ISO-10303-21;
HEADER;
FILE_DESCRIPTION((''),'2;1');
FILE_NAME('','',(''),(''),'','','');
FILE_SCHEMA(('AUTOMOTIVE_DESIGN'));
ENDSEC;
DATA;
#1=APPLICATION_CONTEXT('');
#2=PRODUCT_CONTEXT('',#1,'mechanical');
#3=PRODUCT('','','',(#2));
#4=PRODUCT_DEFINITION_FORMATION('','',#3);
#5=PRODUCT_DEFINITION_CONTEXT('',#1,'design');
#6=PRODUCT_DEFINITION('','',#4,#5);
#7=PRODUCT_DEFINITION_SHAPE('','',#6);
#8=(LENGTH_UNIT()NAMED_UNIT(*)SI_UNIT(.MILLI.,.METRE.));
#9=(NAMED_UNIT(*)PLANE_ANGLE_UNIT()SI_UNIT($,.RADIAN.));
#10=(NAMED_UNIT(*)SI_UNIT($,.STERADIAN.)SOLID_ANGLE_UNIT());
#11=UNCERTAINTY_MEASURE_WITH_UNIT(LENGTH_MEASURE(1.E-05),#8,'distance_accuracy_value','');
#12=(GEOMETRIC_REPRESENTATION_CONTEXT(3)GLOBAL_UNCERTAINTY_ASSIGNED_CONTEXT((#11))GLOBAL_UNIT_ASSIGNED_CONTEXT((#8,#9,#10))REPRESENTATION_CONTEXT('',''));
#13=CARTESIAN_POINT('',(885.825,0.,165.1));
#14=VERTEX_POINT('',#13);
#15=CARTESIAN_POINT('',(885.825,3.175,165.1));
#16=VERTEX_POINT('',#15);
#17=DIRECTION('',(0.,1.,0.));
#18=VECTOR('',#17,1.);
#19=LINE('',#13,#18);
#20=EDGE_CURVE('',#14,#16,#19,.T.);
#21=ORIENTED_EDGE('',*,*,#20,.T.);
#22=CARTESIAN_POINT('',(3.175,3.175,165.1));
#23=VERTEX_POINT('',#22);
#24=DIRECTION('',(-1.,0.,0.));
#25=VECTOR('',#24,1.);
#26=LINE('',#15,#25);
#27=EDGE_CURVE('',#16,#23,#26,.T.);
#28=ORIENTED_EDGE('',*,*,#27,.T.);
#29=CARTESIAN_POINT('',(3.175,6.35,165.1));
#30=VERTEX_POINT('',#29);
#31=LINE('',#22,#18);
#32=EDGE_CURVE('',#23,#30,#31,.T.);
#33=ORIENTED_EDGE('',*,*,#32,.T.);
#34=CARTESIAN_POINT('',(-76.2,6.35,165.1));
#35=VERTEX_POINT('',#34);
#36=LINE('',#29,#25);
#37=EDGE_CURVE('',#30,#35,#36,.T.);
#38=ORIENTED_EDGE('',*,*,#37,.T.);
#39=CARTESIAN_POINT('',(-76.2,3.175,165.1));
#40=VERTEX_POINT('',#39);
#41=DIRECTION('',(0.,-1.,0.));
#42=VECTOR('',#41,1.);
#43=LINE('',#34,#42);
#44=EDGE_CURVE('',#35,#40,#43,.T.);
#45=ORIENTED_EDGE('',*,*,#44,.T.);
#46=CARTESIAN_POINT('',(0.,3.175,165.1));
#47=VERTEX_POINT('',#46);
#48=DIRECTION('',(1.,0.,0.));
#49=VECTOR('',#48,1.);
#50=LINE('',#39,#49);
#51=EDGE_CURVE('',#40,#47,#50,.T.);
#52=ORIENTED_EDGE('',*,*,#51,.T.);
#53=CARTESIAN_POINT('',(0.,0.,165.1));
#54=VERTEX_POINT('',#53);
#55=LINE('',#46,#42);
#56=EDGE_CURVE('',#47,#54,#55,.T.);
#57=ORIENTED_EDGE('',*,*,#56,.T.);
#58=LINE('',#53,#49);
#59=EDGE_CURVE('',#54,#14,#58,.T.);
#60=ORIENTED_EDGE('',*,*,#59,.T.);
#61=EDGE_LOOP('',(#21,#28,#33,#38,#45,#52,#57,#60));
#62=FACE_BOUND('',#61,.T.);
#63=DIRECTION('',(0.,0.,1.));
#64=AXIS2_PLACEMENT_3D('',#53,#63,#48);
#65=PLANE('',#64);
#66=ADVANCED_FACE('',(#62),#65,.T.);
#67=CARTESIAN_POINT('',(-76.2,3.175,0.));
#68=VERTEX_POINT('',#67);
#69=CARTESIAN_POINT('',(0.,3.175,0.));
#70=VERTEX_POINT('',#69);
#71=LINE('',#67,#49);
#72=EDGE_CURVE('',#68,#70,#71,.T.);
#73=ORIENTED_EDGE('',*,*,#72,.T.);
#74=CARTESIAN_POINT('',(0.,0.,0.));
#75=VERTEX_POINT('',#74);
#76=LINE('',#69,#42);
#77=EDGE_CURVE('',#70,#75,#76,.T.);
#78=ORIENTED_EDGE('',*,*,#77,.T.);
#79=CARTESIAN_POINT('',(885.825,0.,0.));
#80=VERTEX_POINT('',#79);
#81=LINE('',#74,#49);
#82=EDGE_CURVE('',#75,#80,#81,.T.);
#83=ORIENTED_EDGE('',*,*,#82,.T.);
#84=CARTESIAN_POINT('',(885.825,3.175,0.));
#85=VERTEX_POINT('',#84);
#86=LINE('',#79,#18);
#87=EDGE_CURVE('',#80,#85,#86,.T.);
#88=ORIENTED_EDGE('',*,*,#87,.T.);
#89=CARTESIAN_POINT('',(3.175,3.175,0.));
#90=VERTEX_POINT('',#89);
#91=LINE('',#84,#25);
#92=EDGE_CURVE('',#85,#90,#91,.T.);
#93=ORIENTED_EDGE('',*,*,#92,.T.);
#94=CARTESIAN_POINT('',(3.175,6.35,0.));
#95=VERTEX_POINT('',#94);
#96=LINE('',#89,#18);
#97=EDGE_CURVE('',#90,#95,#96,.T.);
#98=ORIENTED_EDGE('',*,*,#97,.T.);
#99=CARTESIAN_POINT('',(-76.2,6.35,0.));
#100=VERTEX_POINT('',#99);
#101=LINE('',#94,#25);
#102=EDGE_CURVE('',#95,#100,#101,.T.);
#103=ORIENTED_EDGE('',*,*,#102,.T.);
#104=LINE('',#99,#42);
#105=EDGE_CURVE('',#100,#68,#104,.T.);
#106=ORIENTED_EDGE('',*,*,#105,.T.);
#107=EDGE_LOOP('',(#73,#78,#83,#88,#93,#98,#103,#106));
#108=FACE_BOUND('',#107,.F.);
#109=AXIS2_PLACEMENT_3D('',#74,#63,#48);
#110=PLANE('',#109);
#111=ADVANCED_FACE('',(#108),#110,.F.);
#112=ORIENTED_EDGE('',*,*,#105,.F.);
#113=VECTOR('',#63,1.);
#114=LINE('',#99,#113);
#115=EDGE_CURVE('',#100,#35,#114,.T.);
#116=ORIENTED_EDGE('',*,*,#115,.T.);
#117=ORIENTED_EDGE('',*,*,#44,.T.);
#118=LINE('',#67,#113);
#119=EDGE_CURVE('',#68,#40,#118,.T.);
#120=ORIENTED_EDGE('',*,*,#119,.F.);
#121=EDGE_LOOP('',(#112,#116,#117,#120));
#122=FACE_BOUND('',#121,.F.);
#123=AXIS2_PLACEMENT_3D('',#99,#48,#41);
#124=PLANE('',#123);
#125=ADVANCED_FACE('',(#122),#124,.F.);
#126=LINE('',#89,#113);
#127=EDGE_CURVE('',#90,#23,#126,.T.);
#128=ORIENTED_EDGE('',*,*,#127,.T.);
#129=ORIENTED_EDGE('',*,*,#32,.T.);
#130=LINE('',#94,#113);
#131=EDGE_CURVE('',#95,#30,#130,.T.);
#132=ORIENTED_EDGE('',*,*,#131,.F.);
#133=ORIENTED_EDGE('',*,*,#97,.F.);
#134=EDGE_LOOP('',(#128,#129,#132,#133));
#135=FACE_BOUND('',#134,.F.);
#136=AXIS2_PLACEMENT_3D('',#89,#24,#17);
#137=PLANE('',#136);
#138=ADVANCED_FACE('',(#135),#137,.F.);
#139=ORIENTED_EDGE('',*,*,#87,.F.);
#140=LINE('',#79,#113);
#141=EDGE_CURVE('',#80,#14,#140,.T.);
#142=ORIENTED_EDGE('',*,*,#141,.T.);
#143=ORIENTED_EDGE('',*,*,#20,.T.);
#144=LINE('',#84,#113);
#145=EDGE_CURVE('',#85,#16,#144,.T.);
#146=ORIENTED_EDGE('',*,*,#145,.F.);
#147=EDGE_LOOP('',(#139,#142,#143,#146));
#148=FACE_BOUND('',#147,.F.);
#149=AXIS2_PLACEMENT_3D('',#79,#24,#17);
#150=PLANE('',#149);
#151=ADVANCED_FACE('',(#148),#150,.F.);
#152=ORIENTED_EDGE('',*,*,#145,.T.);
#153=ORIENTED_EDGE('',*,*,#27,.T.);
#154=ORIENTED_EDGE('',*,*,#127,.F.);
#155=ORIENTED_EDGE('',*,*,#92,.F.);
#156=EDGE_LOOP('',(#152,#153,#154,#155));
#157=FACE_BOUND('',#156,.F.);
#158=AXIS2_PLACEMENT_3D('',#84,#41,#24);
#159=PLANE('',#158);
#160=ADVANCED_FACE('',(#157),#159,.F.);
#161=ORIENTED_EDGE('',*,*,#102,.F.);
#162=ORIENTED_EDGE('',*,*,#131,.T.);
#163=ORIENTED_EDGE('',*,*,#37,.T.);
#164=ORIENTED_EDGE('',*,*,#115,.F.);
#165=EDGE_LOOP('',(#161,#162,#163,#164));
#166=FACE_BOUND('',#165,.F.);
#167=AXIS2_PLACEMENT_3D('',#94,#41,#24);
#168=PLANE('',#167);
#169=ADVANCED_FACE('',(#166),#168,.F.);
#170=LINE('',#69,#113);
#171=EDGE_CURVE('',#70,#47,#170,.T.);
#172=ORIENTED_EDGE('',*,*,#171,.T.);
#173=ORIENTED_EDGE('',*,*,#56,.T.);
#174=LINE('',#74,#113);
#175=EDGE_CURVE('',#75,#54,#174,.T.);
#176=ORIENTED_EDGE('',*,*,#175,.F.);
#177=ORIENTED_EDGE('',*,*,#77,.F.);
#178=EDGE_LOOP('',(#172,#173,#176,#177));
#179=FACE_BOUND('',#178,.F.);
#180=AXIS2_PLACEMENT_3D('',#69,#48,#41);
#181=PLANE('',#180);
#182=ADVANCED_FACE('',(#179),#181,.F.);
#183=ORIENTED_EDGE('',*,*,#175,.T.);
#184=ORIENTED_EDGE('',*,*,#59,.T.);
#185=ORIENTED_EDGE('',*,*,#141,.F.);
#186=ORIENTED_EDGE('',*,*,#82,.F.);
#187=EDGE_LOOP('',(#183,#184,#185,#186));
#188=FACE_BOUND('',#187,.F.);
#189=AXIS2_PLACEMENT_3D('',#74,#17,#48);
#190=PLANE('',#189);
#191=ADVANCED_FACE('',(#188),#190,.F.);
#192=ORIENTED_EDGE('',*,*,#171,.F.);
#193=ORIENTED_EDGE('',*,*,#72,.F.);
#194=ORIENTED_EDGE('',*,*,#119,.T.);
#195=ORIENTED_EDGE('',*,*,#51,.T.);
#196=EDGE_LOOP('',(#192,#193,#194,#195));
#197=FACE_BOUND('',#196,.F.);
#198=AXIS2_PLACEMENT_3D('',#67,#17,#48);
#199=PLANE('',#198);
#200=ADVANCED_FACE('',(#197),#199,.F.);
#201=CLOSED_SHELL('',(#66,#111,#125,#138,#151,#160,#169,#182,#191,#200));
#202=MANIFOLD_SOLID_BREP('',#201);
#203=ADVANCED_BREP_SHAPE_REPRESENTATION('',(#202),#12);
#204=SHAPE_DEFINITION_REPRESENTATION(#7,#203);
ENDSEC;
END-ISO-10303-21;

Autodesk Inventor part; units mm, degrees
ref_plane "YZ Plane" through (0, 0, 0) normal (1, 0, 0) x (0, 1, 0)
ref_plane "XZ Plane" through (0, 0, 0) normal (0, 1, 0) x (-1, 0, 0)
ref_plane "XY Plane" through (0, 0, 0) normal (0, 0, 1) x (1, 0, 0)
sketch "Sketch1" plane through (0, 0, 0) normal (0, 0, 1) x (1, 0, 0)
  line L0 (0, 0) -> (885.825, 0)
  line L1 (885.825, 0) -> (885.825, 3.175)
  line L2 (885.825, 3.175) -> (3.175, 3.175)
  line L3 (3.175, 3.175) -> (3.175, 6.35)
  line L4 (3.175, 6.35) -> (-76.2, 6.35)
  line L5 (-76.2, 6.35) -> (-76.2, 3.175)
  line L6 (-76.2, 3.175) -> (0, 3.175)
  line L7 (0, 3.175) -> (0, 0)
  dimension "d0" = 76.2
  dimension "d1" = 3.175
  dimension "d2" = 3.175
  dimension "d3" = 3.175
  dimension "d4" = 3.175
  dimension "d10" = 885.825
extrude "Extrusion2" add sketch "Sketch1" along normal blind 165.1
properties part number "Starter_Shingle_With_Dimensions_6.5_x_38_Inches_With_Raise"
